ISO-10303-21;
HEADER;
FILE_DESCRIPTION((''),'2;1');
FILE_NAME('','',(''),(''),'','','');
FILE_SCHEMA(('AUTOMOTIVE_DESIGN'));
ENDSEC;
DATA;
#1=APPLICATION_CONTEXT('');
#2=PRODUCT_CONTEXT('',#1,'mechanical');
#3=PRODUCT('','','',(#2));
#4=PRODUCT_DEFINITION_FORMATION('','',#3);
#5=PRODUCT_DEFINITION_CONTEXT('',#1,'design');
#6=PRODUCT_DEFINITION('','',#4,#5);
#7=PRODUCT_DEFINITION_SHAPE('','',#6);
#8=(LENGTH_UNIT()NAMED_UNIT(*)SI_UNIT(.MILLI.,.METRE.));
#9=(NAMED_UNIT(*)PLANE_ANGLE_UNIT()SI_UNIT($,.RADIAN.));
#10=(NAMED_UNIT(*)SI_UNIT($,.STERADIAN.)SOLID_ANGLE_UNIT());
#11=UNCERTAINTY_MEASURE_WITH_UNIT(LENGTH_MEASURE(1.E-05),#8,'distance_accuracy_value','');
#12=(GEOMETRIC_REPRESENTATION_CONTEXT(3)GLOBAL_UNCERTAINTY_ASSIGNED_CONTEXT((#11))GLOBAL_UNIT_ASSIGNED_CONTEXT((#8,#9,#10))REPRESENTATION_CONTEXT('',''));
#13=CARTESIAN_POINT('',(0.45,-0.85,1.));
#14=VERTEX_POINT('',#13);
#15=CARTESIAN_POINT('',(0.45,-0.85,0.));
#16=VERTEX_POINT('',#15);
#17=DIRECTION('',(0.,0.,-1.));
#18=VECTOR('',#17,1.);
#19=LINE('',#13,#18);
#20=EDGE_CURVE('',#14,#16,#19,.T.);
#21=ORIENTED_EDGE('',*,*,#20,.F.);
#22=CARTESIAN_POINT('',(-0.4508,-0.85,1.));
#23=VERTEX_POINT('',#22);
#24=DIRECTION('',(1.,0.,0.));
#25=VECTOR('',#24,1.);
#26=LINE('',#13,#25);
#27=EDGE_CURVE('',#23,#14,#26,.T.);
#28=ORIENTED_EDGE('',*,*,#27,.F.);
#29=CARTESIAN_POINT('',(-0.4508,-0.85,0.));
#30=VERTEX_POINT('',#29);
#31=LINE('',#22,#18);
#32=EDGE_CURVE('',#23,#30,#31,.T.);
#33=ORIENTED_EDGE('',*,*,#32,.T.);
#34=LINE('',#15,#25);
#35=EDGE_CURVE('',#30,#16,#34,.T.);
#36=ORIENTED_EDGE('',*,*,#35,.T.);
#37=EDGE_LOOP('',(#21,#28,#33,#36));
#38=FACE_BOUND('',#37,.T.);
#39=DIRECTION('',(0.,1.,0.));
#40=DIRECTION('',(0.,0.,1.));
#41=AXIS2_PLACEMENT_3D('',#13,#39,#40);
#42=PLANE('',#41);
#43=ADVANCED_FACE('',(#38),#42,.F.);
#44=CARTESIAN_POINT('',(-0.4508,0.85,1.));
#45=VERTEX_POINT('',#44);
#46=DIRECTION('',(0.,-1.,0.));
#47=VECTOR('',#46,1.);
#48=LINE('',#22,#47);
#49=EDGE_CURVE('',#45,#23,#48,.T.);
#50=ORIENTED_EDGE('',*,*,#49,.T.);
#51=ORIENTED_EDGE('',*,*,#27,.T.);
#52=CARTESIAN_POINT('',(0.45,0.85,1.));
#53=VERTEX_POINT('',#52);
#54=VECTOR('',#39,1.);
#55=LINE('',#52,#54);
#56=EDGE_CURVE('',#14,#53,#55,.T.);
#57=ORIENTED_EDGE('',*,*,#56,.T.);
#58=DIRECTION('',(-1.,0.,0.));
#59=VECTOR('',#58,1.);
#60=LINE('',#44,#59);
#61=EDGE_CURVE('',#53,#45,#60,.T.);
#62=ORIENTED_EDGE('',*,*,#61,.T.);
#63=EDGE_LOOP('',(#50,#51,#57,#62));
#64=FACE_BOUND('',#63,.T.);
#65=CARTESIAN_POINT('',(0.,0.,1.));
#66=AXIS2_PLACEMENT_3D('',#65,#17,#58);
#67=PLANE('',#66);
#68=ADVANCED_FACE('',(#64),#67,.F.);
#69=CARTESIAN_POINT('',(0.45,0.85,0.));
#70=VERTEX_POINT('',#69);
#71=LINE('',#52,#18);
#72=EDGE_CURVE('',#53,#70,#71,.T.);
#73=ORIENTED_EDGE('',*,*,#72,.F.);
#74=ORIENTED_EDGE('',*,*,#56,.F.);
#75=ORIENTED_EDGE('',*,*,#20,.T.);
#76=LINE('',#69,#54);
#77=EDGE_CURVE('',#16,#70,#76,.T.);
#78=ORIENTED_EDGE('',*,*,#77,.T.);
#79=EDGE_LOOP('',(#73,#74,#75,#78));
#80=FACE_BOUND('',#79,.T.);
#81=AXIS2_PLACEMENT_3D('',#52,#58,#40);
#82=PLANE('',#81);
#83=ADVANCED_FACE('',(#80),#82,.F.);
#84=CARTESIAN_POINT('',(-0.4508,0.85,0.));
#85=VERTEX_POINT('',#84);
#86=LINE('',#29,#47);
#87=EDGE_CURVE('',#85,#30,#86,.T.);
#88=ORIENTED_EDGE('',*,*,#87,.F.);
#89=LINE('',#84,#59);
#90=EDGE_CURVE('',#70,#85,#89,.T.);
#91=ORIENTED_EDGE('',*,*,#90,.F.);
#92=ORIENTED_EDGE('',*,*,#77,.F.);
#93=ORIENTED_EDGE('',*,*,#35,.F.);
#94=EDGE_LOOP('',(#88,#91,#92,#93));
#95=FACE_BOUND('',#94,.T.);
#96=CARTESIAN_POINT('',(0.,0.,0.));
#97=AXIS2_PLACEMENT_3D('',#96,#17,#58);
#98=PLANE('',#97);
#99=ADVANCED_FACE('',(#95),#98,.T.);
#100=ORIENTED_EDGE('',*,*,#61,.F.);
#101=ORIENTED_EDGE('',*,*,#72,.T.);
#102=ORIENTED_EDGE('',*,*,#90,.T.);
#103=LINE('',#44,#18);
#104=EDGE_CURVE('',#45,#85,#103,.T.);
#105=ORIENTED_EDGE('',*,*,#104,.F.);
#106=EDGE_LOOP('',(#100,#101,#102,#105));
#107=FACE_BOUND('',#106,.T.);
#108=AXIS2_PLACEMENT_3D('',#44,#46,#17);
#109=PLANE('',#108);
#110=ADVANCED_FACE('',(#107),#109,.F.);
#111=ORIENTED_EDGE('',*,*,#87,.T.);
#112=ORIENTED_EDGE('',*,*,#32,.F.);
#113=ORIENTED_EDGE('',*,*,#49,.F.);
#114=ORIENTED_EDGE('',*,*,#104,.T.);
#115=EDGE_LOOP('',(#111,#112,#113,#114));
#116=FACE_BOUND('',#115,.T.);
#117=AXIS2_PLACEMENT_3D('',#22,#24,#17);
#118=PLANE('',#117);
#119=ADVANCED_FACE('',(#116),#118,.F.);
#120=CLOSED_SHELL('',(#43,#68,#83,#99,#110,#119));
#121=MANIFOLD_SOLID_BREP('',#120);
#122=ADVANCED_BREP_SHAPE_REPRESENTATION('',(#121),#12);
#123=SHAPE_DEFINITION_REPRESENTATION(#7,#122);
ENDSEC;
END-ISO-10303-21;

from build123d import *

# Parameters (mm, degrees)
SKETCH1_W               = 0.9008
SKETCH1_H               = 1.7
COMPONENT_OUTLINE_DEPTH = 1


with BuildPart() as part:
    # Sketch1 → Component_Outline (new body)
    with BuildSketch(Plane.XY):
        with Locations((-0.0004, 0)):
            Rectangle(SKETCH1_W, SKETCH1_H)
    extrude(amount=COMPONENT_OUTLINE_DEPTH)


solid = part.part
